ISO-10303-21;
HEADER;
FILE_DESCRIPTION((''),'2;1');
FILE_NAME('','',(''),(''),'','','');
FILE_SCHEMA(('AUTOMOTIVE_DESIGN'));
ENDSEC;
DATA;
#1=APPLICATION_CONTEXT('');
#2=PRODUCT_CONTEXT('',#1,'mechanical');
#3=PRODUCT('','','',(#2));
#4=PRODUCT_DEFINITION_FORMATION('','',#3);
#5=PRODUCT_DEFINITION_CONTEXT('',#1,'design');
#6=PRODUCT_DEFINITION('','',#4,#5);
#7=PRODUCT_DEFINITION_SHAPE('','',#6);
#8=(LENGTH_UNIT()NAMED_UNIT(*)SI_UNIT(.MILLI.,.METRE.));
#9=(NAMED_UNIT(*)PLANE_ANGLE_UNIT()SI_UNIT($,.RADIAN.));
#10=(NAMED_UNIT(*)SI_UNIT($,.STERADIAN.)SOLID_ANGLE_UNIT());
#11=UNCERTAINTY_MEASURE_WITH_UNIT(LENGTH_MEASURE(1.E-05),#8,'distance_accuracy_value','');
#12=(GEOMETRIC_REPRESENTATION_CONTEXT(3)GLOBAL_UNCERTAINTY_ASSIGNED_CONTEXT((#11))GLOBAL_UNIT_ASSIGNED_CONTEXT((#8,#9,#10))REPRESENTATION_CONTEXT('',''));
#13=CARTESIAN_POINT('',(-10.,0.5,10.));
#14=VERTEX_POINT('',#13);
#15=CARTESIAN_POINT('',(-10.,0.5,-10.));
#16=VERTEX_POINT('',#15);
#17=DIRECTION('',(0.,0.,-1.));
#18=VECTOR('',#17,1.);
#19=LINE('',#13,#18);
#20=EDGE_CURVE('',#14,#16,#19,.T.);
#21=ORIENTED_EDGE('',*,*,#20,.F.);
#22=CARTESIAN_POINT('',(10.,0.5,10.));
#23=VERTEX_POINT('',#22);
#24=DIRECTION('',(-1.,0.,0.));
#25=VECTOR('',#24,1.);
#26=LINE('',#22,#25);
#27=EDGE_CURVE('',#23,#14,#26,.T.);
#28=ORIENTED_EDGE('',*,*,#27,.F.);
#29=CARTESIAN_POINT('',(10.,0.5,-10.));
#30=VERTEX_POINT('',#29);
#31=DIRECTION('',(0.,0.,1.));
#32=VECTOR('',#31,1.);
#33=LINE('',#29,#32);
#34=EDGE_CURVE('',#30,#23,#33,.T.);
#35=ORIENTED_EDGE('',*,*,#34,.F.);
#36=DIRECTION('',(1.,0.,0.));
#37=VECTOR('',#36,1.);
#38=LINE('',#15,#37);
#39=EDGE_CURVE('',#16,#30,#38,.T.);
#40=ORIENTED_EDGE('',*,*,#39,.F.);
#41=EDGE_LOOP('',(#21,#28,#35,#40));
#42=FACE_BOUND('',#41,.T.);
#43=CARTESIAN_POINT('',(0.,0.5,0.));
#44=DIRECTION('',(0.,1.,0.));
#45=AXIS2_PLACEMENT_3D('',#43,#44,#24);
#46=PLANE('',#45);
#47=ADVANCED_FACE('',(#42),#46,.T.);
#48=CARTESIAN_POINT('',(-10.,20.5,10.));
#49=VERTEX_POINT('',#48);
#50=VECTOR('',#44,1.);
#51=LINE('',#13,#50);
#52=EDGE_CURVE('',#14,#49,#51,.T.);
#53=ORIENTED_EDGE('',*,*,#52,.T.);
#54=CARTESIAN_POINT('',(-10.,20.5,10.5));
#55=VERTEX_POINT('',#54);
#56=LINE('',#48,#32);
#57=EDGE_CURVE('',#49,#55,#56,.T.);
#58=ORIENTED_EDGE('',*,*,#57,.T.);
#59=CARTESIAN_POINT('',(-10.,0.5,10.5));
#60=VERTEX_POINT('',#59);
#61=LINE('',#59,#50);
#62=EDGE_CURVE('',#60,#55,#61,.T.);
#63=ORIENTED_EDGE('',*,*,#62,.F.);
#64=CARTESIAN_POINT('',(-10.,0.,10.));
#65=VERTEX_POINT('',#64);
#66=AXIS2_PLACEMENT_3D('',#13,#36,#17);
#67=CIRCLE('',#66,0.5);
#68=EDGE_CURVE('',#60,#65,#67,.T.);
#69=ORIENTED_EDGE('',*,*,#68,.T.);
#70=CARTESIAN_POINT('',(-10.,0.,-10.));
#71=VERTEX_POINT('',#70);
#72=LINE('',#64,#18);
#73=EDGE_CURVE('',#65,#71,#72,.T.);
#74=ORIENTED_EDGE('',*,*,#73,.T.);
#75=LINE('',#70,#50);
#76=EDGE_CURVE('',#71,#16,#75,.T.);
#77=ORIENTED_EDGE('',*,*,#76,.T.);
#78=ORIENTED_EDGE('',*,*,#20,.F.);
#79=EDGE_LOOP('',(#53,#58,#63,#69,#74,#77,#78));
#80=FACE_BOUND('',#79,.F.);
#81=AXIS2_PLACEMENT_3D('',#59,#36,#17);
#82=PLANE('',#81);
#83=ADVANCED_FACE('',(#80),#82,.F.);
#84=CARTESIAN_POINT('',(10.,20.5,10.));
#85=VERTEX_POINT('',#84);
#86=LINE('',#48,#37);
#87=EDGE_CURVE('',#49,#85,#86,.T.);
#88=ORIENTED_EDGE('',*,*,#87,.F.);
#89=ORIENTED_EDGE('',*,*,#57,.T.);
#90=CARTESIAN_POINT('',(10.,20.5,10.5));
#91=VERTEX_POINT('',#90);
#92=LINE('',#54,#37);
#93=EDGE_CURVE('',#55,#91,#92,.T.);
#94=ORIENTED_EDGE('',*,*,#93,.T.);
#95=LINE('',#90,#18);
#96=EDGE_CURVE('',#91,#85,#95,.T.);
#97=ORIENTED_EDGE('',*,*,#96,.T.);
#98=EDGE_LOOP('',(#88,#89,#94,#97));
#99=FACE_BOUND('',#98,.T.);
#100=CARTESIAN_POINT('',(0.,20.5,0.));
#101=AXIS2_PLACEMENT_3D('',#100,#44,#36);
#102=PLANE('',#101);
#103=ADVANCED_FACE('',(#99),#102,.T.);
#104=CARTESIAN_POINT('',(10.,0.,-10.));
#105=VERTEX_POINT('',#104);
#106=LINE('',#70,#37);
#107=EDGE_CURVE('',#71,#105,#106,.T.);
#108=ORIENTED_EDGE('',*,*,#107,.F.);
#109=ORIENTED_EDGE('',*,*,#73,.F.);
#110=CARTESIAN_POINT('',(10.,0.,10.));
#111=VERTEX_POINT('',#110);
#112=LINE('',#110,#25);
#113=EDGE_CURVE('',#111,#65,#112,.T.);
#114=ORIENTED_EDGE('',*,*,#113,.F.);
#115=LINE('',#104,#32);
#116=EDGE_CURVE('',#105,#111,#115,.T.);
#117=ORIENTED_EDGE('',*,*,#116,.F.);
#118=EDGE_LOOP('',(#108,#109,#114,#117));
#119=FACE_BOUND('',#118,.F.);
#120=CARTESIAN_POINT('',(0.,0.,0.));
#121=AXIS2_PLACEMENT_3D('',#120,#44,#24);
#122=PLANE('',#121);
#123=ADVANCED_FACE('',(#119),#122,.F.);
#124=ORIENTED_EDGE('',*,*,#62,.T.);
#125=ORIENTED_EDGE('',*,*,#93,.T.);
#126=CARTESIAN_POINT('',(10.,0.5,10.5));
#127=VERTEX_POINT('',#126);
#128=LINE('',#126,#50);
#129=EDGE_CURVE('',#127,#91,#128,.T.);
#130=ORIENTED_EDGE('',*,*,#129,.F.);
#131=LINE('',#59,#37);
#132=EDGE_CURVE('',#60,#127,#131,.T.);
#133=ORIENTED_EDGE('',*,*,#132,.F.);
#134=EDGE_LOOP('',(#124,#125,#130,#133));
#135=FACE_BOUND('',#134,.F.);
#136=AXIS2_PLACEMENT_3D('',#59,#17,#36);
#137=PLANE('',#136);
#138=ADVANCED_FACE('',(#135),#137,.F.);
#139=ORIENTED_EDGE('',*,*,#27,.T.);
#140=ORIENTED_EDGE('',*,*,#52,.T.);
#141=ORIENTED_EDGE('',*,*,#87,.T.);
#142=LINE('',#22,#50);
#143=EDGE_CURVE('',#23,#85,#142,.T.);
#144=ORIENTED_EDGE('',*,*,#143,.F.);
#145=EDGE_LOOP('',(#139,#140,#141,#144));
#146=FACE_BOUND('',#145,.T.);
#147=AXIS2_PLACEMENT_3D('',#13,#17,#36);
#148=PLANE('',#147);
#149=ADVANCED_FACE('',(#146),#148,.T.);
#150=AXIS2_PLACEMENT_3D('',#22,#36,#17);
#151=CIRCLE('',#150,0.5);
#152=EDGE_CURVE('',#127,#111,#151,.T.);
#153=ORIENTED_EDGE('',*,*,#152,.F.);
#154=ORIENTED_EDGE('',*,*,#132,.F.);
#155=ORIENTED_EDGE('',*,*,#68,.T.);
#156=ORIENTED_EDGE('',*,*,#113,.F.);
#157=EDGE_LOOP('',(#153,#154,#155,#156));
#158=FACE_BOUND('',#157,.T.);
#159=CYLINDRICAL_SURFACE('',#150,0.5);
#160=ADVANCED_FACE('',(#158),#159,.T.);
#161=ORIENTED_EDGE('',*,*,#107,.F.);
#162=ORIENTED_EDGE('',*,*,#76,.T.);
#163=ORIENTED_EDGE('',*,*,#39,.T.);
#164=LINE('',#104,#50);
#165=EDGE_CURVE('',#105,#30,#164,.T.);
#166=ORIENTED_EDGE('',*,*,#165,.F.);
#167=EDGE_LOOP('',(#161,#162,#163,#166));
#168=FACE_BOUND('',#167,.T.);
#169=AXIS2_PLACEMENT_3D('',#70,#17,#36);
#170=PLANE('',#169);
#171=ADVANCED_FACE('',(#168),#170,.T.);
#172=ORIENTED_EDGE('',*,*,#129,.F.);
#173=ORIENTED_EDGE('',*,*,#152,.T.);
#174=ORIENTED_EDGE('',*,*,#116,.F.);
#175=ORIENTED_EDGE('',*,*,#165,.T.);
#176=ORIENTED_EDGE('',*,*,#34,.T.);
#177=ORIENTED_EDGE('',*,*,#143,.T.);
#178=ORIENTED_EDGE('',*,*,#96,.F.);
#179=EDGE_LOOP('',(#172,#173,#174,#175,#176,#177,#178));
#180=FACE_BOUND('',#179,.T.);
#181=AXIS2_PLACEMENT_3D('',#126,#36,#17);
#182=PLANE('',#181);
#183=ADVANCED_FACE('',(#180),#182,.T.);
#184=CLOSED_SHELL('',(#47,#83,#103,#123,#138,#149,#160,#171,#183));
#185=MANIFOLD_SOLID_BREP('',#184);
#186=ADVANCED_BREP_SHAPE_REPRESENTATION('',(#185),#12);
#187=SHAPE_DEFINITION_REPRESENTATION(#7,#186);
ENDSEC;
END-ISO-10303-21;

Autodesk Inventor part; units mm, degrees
ref_plane "YZ Plane" through (0, 0, 0) normal (1, 0, 0) x (0, 1, 0)
ref_plane "XZ Plane" through (0, 0, 0) normal (0, 1, 0) x (-1, 0, 0)
ref_plane "XY Plane" through (0, 0, 0) normal (0, 0, 1) x (1, 0, 0)
sketch "Sketch1" plane through (0, 0, 0) normal (0, 1, 0) x (-1, 0, 0)
  line L0 (-10, 10) -> (10, 10)
  line L1 (10, 10) -> (10, -10)
  line L2 (10, -10) -> (-10, -10)
  line L3 (-10, -10) -> (-10, 10)
  line L4 (-10, 10) -> (10, -10) construction
  line L5 (10, 10) -> (-10, -10) construction
  point P0 (0, 0)
  dimension "d0" = 20
  dimension "d1" = 20
extrude "Extrusion1" add sketch "Sketch1" along normal blind 0.5
sketch "Sketch2" plane through (0, 0.5, 0) normal (0, 1, 0) x (1, 0, 0)
  line L0 (10, 10) -> (-10, 10) projected
  line L1 (-10, 10) -> (-10, -10) projected
  line L2 (-10, -10) -> (10, -10) projected
  line L3 (10, -10) -> (10, 10) projected
  line L4 (-10, -10) -> (10, -10) projected
  line L5 (10, -10) -> (-10, -10)
  line L6 (-10, -10) -> (-10, -10.5)
  line L7 (-10, -10.5) -> (10, -10.5)
  line L8 (10, -10.5) -> (10, -10)
  point P0 (0, 0)
  dimension "d4" = 0.5
extrude "Extrusion2" add sketch "Sketch2" along normal blind 20 contours L8 L7 L6 L2
sketch "Sketch3" plane through (10, 0.5, 10.5) normal (1, 0, 0) x (0, 0, -1)
  line L0 (0.5, 0) -> (20.5, 0) projected
  line L1 (0.5, -0.5) -> (0.5, 0) projected
  circle A0 centre (0.5, 0) radius 0.5
  line L2 (0, 0) -> (0.5, 0) projected
  line L3 (0.5, 0) -> (0.5, 20) projected
  line L4 (0, 20) -> (0.5, 20) projected
  line L5 (0, 0) -> (0, 20) projected
  point P0 (10.5, -0.5)
extrude "Extrusion3" add sketch "Sketch3" against normal up to surface (20 mm away) contours L1 A0 L2
sketch "Sketch4" plane through (0, 0.5, 0) normal (0, 1, 0) x (1, 0, 0)
  point P0 (0, 0)
properties part number "l bracket" material "Stainless Steel"
